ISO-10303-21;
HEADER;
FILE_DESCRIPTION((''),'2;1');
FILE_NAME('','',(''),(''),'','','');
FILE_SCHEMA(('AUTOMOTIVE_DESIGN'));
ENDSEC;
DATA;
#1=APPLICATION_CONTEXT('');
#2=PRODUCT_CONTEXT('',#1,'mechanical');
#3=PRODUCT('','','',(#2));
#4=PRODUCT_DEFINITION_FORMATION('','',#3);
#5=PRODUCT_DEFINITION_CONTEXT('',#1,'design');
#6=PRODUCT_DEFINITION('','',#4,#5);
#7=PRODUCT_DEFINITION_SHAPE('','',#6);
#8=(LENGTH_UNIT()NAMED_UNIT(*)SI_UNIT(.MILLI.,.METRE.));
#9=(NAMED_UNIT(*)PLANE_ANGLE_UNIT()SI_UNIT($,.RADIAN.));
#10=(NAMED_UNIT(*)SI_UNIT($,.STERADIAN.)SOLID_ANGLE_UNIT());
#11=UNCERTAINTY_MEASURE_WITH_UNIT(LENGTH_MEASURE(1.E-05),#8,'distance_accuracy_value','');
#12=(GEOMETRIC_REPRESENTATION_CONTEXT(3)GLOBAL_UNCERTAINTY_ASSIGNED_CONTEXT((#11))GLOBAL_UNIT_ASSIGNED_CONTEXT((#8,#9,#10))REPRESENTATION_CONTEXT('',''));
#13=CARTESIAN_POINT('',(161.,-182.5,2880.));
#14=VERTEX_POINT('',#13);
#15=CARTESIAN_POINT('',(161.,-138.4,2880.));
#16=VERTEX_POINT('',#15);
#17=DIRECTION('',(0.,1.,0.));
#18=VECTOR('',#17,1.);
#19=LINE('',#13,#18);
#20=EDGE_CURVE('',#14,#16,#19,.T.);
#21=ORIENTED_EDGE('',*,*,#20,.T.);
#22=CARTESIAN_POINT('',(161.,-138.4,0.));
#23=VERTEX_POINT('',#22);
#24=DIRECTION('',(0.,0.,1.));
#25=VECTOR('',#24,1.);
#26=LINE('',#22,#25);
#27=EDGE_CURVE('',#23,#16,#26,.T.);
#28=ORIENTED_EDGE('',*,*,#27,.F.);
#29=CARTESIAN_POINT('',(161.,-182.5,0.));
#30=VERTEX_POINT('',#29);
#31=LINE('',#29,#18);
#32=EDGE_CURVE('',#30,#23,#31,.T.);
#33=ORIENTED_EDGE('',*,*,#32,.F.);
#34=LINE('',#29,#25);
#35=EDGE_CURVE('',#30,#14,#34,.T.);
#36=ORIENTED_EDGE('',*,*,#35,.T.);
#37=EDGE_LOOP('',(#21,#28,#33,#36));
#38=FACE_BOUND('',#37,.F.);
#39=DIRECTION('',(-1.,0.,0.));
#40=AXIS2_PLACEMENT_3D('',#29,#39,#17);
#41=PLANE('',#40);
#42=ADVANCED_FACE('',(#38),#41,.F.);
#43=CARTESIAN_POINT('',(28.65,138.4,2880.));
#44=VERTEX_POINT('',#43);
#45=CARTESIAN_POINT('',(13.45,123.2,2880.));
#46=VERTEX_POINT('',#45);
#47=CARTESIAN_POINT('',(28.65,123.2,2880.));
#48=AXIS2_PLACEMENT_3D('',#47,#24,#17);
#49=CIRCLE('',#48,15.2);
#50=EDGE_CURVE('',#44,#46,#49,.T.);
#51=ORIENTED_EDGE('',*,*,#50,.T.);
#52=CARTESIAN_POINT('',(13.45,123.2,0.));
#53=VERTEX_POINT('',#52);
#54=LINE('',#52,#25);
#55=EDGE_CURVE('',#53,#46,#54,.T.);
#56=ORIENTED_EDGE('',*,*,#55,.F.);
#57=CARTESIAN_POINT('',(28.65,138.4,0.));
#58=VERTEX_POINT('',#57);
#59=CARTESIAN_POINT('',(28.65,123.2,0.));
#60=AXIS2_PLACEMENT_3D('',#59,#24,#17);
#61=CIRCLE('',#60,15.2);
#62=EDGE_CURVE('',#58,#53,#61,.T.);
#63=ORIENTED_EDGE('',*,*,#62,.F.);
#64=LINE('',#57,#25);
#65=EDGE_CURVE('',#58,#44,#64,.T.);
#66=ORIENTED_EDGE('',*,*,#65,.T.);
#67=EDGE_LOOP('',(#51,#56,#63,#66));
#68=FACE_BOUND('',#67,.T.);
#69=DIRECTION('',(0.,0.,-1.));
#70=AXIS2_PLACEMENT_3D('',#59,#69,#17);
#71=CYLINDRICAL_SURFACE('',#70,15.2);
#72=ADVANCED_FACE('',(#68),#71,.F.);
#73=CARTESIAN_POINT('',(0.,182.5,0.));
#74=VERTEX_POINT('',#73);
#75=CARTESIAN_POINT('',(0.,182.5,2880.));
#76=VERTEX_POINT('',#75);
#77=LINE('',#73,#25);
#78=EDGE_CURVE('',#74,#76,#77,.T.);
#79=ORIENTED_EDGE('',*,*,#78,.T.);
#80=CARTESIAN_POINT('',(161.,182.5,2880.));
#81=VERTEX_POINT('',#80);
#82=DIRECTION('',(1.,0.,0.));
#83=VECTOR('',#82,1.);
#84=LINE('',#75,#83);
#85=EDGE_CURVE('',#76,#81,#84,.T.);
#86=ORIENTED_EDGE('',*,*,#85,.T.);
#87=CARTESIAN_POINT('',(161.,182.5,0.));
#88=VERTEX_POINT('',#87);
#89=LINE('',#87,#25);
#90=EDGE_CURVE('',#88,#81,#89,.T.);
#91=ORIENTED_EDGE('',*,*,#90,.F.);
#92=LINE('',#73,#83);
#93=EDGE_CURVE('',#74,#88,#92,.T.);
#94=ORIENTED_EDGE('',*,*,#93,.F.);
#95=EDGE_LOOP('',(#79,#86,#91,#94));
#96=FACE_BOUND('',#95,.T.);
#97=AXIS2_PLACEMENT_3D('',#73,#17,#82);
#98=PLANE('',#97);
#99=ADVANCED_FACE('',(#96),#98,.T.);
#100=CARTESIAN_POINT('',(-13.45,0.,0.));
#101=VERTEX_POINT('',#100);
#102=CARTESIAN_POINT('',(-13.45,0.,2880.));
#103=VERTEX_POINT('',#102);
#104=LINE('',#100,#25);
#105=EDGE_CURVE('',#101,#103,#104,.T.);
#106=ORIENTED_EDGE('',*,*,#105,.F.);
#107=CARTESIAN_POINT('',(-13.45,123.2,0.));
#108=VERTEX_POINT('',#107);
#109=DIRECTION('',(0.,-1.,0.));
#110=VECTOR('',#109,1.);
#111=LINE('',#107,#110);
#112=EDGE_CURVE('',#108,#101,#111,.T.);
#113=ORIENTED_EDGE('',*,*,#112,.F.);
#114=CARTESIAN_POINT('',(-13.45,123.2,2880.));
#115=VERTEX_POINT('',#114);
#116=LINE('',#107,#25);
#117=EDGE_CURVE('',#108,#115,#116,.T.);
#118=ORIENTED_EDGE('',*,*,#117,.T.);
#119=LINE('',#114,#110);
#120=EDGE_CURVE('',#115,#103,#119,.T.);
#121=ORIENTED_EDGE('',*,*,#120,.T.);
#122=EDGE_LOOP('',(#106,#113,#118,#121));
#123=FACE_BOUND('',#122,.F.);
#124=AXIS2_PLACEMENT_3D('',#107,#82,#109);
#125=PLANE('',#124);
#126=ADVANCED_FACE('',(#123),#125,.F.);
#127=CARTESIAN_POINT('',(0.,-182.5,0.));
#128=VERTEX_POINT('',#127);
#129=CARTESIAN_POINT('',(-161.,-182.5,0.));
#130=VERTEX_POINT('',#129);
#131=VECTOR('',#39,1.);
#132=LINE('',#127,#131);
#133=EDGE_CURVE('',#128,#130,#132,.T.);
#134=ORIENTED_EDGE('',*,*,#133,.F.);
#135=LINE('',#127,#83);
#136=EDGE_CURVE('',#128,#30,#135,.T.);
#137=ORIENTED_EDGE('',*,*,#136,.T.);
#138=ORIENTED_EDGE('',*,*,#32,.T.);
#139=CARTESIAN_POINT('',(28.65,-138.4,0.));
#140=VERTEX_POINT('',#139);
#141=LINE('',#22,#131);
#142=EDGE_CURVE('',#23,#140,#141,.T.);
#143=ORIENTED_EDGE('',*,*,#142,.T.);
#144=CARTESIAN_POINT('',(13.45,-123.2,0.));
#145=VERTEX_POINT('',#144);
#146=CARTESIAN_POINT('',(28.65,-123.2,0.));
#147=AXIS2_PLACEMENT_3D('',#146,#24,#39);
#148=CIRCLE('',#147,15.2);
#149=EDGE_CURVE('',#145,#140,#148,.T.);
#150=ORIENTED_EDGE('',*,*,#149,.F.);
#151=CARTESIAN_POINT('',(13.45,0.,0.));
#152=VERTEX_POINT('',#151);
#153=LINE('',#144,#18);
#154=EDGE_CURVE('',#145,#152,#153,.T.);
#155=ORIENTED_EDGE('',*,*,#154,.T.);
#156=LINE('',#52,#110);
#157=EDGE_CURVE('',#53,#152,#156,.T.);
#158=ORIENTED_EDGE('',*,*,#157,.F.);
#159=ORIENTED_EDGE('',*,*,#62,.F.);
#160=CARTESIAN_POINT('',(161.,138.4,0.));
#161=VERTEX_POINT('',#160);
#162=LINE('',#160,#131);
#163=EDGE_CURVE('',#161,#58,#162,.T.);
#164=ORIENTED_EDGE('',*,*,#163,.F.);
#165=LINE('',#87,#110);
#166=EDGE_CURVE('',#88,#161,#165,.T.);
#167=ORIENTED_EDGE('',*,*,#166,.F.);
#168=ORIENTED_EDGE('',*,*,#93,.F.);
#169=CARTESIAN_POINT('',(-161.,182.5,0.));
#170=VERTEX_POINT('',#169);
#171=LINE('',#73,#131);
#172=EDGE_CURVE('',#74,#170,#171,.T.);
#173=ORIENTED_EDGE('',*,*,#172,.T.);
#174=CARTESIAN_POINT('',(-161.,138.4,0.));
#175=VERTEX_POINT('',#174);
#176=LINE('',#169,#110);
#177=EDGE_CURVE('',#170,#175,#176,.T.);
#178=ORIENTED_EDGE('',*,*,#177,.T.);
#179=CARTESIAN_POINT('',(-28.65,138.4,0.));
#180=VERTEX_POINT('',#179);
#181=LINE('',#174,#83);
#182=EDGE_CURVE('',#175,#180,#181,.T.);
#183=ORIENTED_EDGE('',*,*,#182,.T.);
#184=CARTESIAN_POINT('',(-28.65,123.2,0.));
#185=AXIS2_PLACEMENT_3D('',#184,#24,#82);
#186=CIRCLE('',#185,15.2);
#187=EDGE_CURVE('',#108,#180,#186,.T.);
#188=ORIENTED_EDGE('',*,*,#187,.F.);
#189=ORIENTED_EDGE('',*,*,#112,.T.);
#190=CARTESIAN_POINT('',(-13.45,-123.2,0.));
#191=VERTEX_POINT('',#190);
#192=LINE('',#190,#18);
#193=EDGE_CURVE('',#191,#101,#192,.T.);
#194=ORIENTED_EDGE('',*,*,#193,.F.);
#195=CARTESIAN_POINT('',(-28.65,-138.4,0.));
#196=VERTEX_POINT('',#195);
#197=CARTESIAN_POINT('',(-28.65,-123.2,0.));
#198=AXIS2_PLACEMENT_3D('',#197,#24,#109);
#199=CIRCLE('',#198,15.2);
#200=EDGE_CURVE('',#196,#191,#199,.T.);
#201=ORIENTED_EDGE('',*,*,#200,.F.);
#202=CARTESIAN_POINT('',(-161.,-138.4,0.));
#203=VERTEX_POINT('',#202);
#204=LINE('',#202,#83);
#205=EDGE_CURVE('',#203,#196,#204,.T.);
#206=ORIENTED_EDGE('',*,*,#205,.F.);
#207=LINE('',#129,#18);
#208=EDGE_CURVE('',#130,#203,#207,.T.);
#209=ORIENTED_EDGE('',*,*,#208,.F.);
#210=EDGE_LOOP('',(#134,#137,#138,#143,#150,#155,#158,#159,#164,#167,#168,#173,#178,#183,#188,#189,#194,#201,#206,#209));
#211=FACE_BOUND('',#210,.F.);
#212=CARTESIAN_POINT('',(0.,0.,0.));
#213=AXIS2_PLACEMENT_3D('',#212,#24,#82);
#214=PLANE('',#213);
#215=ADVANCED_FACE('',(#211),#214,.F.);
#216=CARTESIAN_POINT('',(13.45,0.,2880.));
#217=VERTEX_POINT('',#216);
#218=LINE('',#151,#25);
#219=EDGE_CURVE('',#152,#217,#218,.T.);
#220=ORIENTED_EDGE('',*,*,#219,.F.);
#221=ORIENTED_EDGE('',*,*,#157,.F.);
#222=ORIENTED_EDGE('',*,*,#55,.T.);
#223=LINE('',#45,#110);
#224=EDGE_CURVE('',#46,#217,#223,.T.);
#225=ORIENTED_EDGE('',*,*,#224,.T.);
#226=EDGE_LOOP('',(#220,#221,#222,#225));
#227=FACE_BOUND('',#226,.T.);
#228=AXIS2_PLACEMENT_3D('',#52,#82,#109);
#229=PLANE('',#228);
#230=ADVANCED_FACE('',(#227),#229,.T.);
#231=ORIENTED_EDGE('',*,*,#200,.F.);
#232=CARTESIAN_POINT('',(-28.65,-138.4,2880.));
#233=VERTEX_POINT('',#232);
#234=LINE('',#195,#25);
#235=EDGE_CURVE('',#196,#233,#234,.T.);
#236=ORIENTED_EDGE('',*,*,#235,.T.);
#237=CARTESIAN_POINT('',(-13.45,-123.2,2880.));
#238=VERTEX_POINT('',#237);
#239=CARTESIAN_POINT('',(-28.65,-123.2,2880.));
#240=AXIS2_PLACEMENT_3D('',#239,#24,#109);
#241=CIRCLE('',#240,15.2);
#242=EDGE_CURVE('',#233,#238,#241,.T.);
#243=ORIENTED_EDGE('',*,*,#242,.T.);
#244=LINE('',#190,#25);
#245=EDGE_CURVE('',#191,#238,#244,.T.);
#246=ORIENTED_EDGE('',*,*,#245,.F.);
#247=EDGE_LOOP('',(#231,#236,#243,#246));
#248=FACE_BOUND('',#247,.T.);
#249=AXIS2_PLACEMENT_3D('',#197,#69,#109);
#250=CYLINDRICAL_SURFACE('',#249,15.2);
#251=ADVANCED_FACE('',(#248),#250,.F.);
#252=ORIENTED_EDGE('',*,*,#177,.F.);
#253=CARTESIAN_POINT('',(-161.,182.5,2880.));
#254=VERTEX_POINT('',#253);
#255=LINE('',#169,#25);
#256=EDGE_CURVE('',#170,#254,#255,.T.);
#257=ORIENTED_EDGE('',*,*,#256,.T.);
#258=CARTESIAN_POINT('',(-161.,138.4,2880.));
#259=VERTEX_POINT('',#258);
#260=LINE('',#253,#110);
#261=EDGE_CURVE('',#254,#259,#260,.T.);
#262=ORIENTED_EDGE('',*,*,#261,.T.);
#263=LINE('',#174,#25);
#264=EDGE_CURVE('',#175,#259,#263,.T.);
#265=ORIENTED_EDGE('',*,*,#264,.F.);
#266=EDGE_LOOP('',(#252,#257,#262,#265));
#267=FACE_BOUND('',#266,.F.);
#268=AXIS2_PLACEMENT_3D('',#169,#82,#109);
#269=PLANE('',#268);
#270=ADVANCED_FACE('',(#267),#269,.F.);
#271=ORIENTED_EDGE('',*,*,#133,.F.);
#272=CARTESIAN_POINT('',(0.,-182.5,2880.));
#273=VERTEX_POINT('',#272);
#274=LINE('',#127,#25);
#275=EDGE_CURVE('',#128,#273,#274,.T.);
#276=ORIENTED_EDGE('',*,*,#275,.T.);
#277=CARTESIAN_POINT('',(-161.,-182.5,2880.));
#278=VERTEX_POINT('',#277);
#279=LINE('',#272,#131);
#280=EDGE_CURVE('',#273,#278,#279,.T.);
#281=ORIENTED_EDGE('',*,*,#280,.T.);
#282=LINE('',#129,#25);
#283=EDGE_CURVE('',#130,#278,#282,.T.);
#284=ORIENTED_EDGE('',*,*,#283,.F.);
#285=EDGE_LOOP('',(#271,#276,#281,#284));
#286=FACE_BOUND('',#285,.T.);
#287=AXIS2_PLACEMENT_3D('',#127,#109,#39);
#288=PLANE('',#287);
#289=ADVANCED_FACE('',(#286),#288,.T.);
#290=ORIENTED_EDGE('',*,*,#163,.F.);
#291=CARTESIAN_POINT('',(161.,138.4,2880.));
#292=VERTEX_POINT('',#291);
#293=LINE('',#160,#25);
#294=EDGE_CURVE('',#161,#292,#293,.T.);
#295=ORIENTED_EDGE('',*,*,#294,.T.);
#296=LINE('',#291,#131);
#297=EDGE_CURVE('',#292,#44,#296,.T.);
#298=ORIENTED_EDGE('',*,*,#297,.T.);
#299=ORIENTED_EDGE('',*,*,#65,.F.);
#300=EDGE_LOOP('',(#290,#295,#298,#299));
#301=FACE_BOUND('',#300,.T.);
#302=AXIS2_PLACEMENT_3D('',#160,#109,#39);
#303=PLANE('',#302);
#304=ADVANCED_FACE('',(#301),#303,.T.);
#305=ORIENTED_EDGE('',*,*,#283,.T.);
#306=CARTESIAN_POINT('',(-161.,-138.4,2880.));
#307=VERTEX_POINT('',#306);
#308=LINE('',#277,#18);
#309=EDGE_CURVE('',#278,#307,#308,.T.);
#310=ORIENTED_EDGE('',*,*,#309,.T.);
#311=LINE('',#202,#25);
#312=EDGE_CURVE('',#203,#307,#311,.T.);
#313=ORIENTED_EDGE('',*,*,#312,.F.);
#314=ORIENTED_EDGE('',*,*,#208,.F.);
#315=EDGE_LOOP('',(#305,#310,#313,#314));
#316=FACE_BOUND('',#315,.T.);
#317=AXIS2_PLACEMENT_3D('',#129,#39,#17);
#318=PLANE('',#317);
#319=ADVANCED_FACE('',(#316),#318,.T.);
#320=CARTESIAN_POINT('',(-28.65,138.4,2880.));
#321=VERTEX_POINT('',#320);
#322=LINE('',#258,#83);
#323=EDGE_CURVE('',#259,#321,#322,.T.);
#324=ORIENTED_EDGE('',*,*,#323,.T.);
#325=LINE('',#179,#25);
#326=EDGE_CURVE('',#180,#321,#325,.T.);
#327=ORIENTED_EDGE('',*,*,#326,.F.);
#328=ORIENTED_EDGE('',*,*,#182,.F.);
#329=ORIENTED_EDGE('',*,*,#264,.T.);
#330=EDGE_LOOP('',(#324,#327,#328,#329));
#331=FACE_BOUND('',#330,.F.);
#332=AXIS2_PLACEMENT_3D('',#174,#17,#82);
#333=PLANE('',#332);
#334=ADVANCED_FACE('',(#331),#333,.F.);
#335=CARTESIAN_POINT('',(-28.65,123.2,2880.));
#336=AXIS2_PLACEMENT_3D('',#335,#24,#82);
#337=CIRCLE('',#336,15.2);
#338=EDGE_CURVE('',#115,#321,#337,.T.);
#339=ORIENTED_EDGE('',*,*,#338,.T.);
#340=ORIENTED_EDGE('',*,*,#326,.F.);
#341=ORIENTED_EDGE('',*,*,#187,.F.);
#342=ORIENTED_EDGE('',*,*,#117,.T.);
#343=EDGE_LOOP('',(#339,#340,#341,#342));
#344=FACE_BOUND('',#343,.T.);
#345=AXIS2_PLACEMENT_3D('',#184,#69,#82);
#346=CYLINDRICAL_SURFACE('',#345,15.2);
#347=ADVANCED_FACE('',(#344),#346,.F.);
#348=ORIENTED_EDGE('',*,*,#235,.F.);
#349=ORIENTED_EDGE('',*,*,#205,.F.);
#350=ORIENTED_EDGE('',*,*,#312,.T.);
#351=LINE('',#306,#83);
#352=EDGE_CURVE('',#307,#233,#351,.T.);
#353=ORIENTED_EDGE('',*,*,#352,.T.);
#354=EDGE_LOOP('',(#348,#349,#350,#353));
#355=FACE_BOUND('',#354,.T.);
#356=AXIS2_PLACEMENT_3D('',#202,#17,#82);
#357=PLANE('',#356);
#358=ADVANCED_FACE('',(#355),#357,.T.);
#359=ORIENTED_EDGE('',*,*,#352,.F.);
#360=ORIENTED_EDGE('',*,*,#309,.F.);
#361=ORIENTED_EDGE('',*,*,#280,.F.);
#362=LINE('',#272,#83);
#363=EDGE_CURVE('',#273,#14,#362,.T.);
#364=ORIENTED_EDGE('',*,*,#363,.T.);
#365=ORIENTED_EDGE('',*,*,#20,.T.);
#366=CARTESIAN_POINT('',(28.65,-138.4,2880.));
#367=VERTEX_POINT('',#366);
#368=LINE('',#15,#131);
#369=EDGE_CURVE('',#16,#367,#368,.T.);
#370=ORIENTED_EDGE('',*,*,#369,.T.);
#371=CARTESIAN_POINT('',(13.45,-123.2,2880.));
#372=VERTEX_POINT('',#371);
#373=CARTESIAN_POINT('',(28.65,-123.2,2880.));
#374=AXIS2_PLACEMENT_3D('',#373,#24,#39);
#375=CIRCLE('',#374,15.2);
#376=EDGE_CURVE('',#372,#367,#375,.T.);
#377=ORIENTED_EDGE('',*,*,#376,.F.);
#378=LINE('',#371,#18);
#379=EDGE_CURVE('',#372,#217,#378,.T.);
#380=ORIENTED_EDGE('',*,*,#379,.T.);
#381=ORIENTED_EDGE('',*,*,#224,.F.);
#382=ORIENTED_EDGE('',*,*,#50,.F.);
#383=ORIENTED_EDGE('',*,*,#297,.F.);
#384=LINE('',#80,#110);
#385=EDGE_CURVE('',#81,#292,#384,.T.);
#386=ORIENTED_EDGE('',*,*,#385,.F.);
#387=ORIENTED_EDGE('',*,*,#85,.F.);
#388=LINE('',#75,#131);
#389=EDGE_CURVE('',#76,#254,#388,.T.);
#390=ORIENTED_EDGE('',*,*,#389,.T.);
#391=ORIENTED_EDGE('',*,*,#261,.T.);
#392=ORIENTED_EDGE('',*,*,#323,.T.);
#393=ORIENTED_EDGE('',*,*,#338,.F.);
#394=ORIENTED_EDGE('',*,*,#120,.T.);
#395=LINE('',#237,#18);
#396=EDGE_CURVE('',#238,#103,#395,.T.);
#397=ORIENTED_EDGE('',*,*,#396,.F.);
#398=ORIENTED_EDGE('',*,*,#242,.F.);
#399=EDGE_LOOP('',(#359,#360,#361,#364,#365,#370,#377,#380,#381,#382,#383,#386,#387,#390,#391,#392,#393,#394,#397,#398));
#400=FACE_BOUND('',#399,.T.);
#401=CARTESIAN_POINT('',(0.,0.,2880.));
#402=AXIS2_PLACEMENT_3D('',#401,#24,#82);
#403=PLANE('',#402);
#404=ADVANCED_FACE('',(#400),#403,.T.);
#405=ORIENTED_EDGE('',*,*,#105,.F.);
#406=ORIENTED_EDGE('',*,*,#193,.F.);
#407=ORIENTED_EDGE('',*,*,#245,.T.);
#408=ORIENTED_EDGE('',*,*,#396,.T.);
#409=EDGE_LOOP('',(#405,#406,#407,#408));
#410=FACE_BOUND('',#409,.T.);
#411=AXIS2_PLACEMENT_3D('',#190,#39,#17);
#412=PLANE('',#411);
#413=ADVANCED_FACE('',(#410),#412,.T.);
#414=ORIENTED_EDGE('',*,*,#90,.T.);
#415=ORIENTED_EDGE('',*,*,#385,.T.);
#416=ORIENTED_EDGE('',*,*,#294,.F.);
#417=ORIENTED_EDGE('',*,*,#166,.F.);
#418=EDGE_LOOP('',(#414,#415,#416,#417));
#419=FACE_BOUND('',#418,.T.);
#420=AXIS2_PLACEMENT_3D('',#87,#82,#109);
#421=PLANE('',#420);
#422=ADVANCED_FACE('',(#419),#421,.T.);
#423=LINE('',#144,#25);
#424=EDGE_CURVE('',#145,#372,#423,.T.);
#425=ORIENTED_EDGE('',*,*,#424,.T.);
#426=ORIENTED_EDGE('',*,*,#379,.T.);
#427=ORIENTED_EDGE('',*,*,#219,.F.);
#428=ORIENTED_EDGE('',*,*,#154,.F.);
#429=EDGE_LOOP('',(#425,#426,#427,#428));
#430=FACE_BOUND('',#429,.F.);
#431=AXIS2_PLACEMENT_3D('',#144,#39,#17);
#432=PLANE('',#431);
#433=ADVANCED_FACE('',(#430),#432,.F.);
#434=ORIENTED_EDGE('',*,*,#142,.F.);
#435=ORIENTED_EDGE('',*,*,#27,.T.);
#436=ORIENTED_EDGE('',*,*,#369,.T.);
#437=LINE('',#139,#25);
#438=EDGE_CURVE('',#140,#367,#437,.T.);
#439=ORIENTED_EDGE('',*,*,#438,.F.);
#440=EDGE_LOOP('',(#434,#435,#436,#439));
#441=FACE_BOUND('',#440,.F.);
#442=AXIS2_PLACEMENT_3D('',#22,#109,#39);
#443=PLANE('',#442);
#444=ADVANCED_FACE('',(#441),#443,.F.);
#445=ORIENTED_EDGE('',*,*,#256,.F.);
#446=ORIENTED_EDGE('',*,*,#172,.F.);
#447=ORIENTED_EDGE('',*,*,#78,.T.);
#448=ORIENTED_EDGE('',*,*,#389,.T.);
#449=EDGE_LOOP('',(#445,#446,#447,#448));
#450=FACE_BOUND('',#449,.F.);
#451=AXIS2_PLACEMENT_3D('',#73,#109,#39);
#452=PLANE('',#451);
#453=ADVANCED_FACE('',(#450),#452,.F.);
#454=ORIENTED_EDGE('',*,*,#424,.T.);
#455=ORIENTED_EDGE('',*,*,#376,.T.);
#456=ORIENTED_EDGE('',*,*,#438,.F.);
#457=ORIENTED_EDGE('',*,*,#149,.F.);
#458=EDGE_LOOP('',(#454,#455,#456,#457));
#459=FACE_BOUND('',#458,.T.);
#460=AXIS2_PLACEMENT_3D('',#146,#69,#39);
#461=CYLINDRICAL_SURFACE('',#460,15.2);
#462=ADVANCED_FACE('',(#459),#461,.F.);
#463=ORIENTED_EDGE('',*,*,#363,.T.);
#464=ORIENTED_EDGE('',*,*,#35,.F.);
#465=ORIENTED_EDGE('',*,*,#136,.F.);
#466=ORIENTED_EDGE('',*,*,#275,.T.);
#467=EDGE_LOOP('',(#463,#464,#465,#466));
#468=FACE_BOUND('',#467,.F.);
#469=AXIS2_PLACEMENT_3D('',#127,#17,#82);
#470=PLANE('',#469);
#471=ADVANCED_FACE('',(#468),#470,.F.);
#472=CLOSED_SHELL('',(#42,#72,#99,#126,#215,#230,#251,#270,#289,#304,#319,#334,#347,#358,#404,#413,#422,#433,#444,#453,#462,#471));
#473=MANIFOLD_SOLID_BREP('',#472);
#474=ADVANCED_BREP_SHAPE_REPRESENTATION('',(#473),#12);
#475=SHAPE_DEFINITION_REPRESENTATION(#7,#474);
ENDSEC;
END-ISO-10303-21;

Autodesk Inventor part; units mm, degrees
ref_plane "YZ Plane" through (0, 0, 0) normal (1, 0, 0) x (0, 1, 0)
ref_plane "Start plane" through (0, 0, 0) normal (0, 0, 1) x (1, 0, 0)
ref_plane "End plane" through (0, 0, 2880) normal (0, 0, 1) x (1, 0, 0)
sketch "Sketch" plane through (0, 0, 0) normal (0, 0, 1) x (1, 0, 0)
  line L0 (-161, -182.5) -> (-161, -138.4)
  line L1 (-161, -138.4) -> (-28.65, -138.4)
  line L2 (-13.45, -123.2) -> (-13.45, 0)
  line L3 (-13.45, 0) -> (0, 0) construction
  line L4 (0, 0) -> (0, -182.5) construction
  line L5 (0, -182.5) -> (-161, -182.5)
  line L6 (-60, 0) -> (80, 0) construction
  line L7 (0, -60) -> (0, 80) construction
  line L8 (161, -182.5) -> (161, -138.4)
  line L9 (161, -138.4) -> (28.65, -138.4)
  line L10 (13.45, -123.2) -> (13.45, 0)
  line L11 (13.45, 0) -> (0, 0) construction
  line L12 (0, -182.5) -> (161, -182.5)
  line L13 (-161, 182.5) -> (-161, 138.4)
  line L14 (-161, 138.4) -> (-28.65, 138.4)
  line L15 (-13.45, 123.2) -> (-13.45, 0)
  line L16 (0, 182.5) -> (-161, 182.5)
  line L17 (161, 182.5) -> (161, 138.4)
  line L18 (161, 138.4) -> (28.65, 138.4)
  line L19 (0, 182.5) -> (161, 182.5)
  line L20 (13.45, 123.2) -> (13.45, 0)
  arc A0 (-13.45, 123.2) -> (-28.65, 138.4) centre (-28.65, 123.2) ccw
  arc A1 (28.65, 138.4) -> (13.45, 123.2) centre (28.65, 123.2) ccw
  arc A2 (13.45, -123.2) -> (28.65, -138.4) centre (28.65, -123.2) ccw
  arc A3 (-28.65, -138.4) -> (-13.45, -123.2) centre (-28.65, -123.2) ccw
  line L21 (0, 108) -> (0, -88) construction
  line L22 (-88, 0) -> (108, 0) construction
  point P0 (-13.45, -138.4)
  point P1 (13.45, -138.4)
  point P2 (-13.45, 138.4)
  point P3 (13.45, 138.4)
  dimension "d1" = 182.5
  dimension "d2" = 44.1
  dimension "d3" = 161
  dimension "d4" = 13.45
  dimension "d10" = 15.2
extrude "Body" add sketch "Sketch" along normal up to surface (2880 mm away) from surface at 0
sketch "Sketch4" plane through (0, 0, 0) normal (0, 0, 1) x (1, 0, 0)
  line L0 (0, 0) -> (10, 0)
ref_plane "Work Plane3" through (0, 0, 0) normal (0, -1, 0) x (1, 0, 0)
sketch "Sketch5" plane through (0, 0, 0) normal (0, -1, 0) x (1, 0, 0)
  line L0 (-2, 0) -> (12, 0) projected
  line L1 (-2, 2880) -> (12, 2880) projected
  dimension "d14" = 2880
equation "\"d1\" = 0.5 * G_H"
equation "\"d2\" = G_T1"
equation "\"d3\" = 0.5 * G_W"
equation "\"d4\" = 0.5 * G_T"
equation "\"d10\" = G_IR"
equation "\"d5\" = G_L"
equation "\"G_W\" = 322"
equation "\"G_H\" = 365"
equation "\"G_T\" = 26.9"
equation "\"G_T1\" = 44.1"
equation "\"G_IR\" = 15.2"
equation "\"G_L\" = d14"
equation "\"G_OFFSET_START\" = 0"
equation "\"G_OFFSET_END\" = 0"
properties part number "AS 3679 - 310 UC - 283 - 2880" material "Steel, Mild"
